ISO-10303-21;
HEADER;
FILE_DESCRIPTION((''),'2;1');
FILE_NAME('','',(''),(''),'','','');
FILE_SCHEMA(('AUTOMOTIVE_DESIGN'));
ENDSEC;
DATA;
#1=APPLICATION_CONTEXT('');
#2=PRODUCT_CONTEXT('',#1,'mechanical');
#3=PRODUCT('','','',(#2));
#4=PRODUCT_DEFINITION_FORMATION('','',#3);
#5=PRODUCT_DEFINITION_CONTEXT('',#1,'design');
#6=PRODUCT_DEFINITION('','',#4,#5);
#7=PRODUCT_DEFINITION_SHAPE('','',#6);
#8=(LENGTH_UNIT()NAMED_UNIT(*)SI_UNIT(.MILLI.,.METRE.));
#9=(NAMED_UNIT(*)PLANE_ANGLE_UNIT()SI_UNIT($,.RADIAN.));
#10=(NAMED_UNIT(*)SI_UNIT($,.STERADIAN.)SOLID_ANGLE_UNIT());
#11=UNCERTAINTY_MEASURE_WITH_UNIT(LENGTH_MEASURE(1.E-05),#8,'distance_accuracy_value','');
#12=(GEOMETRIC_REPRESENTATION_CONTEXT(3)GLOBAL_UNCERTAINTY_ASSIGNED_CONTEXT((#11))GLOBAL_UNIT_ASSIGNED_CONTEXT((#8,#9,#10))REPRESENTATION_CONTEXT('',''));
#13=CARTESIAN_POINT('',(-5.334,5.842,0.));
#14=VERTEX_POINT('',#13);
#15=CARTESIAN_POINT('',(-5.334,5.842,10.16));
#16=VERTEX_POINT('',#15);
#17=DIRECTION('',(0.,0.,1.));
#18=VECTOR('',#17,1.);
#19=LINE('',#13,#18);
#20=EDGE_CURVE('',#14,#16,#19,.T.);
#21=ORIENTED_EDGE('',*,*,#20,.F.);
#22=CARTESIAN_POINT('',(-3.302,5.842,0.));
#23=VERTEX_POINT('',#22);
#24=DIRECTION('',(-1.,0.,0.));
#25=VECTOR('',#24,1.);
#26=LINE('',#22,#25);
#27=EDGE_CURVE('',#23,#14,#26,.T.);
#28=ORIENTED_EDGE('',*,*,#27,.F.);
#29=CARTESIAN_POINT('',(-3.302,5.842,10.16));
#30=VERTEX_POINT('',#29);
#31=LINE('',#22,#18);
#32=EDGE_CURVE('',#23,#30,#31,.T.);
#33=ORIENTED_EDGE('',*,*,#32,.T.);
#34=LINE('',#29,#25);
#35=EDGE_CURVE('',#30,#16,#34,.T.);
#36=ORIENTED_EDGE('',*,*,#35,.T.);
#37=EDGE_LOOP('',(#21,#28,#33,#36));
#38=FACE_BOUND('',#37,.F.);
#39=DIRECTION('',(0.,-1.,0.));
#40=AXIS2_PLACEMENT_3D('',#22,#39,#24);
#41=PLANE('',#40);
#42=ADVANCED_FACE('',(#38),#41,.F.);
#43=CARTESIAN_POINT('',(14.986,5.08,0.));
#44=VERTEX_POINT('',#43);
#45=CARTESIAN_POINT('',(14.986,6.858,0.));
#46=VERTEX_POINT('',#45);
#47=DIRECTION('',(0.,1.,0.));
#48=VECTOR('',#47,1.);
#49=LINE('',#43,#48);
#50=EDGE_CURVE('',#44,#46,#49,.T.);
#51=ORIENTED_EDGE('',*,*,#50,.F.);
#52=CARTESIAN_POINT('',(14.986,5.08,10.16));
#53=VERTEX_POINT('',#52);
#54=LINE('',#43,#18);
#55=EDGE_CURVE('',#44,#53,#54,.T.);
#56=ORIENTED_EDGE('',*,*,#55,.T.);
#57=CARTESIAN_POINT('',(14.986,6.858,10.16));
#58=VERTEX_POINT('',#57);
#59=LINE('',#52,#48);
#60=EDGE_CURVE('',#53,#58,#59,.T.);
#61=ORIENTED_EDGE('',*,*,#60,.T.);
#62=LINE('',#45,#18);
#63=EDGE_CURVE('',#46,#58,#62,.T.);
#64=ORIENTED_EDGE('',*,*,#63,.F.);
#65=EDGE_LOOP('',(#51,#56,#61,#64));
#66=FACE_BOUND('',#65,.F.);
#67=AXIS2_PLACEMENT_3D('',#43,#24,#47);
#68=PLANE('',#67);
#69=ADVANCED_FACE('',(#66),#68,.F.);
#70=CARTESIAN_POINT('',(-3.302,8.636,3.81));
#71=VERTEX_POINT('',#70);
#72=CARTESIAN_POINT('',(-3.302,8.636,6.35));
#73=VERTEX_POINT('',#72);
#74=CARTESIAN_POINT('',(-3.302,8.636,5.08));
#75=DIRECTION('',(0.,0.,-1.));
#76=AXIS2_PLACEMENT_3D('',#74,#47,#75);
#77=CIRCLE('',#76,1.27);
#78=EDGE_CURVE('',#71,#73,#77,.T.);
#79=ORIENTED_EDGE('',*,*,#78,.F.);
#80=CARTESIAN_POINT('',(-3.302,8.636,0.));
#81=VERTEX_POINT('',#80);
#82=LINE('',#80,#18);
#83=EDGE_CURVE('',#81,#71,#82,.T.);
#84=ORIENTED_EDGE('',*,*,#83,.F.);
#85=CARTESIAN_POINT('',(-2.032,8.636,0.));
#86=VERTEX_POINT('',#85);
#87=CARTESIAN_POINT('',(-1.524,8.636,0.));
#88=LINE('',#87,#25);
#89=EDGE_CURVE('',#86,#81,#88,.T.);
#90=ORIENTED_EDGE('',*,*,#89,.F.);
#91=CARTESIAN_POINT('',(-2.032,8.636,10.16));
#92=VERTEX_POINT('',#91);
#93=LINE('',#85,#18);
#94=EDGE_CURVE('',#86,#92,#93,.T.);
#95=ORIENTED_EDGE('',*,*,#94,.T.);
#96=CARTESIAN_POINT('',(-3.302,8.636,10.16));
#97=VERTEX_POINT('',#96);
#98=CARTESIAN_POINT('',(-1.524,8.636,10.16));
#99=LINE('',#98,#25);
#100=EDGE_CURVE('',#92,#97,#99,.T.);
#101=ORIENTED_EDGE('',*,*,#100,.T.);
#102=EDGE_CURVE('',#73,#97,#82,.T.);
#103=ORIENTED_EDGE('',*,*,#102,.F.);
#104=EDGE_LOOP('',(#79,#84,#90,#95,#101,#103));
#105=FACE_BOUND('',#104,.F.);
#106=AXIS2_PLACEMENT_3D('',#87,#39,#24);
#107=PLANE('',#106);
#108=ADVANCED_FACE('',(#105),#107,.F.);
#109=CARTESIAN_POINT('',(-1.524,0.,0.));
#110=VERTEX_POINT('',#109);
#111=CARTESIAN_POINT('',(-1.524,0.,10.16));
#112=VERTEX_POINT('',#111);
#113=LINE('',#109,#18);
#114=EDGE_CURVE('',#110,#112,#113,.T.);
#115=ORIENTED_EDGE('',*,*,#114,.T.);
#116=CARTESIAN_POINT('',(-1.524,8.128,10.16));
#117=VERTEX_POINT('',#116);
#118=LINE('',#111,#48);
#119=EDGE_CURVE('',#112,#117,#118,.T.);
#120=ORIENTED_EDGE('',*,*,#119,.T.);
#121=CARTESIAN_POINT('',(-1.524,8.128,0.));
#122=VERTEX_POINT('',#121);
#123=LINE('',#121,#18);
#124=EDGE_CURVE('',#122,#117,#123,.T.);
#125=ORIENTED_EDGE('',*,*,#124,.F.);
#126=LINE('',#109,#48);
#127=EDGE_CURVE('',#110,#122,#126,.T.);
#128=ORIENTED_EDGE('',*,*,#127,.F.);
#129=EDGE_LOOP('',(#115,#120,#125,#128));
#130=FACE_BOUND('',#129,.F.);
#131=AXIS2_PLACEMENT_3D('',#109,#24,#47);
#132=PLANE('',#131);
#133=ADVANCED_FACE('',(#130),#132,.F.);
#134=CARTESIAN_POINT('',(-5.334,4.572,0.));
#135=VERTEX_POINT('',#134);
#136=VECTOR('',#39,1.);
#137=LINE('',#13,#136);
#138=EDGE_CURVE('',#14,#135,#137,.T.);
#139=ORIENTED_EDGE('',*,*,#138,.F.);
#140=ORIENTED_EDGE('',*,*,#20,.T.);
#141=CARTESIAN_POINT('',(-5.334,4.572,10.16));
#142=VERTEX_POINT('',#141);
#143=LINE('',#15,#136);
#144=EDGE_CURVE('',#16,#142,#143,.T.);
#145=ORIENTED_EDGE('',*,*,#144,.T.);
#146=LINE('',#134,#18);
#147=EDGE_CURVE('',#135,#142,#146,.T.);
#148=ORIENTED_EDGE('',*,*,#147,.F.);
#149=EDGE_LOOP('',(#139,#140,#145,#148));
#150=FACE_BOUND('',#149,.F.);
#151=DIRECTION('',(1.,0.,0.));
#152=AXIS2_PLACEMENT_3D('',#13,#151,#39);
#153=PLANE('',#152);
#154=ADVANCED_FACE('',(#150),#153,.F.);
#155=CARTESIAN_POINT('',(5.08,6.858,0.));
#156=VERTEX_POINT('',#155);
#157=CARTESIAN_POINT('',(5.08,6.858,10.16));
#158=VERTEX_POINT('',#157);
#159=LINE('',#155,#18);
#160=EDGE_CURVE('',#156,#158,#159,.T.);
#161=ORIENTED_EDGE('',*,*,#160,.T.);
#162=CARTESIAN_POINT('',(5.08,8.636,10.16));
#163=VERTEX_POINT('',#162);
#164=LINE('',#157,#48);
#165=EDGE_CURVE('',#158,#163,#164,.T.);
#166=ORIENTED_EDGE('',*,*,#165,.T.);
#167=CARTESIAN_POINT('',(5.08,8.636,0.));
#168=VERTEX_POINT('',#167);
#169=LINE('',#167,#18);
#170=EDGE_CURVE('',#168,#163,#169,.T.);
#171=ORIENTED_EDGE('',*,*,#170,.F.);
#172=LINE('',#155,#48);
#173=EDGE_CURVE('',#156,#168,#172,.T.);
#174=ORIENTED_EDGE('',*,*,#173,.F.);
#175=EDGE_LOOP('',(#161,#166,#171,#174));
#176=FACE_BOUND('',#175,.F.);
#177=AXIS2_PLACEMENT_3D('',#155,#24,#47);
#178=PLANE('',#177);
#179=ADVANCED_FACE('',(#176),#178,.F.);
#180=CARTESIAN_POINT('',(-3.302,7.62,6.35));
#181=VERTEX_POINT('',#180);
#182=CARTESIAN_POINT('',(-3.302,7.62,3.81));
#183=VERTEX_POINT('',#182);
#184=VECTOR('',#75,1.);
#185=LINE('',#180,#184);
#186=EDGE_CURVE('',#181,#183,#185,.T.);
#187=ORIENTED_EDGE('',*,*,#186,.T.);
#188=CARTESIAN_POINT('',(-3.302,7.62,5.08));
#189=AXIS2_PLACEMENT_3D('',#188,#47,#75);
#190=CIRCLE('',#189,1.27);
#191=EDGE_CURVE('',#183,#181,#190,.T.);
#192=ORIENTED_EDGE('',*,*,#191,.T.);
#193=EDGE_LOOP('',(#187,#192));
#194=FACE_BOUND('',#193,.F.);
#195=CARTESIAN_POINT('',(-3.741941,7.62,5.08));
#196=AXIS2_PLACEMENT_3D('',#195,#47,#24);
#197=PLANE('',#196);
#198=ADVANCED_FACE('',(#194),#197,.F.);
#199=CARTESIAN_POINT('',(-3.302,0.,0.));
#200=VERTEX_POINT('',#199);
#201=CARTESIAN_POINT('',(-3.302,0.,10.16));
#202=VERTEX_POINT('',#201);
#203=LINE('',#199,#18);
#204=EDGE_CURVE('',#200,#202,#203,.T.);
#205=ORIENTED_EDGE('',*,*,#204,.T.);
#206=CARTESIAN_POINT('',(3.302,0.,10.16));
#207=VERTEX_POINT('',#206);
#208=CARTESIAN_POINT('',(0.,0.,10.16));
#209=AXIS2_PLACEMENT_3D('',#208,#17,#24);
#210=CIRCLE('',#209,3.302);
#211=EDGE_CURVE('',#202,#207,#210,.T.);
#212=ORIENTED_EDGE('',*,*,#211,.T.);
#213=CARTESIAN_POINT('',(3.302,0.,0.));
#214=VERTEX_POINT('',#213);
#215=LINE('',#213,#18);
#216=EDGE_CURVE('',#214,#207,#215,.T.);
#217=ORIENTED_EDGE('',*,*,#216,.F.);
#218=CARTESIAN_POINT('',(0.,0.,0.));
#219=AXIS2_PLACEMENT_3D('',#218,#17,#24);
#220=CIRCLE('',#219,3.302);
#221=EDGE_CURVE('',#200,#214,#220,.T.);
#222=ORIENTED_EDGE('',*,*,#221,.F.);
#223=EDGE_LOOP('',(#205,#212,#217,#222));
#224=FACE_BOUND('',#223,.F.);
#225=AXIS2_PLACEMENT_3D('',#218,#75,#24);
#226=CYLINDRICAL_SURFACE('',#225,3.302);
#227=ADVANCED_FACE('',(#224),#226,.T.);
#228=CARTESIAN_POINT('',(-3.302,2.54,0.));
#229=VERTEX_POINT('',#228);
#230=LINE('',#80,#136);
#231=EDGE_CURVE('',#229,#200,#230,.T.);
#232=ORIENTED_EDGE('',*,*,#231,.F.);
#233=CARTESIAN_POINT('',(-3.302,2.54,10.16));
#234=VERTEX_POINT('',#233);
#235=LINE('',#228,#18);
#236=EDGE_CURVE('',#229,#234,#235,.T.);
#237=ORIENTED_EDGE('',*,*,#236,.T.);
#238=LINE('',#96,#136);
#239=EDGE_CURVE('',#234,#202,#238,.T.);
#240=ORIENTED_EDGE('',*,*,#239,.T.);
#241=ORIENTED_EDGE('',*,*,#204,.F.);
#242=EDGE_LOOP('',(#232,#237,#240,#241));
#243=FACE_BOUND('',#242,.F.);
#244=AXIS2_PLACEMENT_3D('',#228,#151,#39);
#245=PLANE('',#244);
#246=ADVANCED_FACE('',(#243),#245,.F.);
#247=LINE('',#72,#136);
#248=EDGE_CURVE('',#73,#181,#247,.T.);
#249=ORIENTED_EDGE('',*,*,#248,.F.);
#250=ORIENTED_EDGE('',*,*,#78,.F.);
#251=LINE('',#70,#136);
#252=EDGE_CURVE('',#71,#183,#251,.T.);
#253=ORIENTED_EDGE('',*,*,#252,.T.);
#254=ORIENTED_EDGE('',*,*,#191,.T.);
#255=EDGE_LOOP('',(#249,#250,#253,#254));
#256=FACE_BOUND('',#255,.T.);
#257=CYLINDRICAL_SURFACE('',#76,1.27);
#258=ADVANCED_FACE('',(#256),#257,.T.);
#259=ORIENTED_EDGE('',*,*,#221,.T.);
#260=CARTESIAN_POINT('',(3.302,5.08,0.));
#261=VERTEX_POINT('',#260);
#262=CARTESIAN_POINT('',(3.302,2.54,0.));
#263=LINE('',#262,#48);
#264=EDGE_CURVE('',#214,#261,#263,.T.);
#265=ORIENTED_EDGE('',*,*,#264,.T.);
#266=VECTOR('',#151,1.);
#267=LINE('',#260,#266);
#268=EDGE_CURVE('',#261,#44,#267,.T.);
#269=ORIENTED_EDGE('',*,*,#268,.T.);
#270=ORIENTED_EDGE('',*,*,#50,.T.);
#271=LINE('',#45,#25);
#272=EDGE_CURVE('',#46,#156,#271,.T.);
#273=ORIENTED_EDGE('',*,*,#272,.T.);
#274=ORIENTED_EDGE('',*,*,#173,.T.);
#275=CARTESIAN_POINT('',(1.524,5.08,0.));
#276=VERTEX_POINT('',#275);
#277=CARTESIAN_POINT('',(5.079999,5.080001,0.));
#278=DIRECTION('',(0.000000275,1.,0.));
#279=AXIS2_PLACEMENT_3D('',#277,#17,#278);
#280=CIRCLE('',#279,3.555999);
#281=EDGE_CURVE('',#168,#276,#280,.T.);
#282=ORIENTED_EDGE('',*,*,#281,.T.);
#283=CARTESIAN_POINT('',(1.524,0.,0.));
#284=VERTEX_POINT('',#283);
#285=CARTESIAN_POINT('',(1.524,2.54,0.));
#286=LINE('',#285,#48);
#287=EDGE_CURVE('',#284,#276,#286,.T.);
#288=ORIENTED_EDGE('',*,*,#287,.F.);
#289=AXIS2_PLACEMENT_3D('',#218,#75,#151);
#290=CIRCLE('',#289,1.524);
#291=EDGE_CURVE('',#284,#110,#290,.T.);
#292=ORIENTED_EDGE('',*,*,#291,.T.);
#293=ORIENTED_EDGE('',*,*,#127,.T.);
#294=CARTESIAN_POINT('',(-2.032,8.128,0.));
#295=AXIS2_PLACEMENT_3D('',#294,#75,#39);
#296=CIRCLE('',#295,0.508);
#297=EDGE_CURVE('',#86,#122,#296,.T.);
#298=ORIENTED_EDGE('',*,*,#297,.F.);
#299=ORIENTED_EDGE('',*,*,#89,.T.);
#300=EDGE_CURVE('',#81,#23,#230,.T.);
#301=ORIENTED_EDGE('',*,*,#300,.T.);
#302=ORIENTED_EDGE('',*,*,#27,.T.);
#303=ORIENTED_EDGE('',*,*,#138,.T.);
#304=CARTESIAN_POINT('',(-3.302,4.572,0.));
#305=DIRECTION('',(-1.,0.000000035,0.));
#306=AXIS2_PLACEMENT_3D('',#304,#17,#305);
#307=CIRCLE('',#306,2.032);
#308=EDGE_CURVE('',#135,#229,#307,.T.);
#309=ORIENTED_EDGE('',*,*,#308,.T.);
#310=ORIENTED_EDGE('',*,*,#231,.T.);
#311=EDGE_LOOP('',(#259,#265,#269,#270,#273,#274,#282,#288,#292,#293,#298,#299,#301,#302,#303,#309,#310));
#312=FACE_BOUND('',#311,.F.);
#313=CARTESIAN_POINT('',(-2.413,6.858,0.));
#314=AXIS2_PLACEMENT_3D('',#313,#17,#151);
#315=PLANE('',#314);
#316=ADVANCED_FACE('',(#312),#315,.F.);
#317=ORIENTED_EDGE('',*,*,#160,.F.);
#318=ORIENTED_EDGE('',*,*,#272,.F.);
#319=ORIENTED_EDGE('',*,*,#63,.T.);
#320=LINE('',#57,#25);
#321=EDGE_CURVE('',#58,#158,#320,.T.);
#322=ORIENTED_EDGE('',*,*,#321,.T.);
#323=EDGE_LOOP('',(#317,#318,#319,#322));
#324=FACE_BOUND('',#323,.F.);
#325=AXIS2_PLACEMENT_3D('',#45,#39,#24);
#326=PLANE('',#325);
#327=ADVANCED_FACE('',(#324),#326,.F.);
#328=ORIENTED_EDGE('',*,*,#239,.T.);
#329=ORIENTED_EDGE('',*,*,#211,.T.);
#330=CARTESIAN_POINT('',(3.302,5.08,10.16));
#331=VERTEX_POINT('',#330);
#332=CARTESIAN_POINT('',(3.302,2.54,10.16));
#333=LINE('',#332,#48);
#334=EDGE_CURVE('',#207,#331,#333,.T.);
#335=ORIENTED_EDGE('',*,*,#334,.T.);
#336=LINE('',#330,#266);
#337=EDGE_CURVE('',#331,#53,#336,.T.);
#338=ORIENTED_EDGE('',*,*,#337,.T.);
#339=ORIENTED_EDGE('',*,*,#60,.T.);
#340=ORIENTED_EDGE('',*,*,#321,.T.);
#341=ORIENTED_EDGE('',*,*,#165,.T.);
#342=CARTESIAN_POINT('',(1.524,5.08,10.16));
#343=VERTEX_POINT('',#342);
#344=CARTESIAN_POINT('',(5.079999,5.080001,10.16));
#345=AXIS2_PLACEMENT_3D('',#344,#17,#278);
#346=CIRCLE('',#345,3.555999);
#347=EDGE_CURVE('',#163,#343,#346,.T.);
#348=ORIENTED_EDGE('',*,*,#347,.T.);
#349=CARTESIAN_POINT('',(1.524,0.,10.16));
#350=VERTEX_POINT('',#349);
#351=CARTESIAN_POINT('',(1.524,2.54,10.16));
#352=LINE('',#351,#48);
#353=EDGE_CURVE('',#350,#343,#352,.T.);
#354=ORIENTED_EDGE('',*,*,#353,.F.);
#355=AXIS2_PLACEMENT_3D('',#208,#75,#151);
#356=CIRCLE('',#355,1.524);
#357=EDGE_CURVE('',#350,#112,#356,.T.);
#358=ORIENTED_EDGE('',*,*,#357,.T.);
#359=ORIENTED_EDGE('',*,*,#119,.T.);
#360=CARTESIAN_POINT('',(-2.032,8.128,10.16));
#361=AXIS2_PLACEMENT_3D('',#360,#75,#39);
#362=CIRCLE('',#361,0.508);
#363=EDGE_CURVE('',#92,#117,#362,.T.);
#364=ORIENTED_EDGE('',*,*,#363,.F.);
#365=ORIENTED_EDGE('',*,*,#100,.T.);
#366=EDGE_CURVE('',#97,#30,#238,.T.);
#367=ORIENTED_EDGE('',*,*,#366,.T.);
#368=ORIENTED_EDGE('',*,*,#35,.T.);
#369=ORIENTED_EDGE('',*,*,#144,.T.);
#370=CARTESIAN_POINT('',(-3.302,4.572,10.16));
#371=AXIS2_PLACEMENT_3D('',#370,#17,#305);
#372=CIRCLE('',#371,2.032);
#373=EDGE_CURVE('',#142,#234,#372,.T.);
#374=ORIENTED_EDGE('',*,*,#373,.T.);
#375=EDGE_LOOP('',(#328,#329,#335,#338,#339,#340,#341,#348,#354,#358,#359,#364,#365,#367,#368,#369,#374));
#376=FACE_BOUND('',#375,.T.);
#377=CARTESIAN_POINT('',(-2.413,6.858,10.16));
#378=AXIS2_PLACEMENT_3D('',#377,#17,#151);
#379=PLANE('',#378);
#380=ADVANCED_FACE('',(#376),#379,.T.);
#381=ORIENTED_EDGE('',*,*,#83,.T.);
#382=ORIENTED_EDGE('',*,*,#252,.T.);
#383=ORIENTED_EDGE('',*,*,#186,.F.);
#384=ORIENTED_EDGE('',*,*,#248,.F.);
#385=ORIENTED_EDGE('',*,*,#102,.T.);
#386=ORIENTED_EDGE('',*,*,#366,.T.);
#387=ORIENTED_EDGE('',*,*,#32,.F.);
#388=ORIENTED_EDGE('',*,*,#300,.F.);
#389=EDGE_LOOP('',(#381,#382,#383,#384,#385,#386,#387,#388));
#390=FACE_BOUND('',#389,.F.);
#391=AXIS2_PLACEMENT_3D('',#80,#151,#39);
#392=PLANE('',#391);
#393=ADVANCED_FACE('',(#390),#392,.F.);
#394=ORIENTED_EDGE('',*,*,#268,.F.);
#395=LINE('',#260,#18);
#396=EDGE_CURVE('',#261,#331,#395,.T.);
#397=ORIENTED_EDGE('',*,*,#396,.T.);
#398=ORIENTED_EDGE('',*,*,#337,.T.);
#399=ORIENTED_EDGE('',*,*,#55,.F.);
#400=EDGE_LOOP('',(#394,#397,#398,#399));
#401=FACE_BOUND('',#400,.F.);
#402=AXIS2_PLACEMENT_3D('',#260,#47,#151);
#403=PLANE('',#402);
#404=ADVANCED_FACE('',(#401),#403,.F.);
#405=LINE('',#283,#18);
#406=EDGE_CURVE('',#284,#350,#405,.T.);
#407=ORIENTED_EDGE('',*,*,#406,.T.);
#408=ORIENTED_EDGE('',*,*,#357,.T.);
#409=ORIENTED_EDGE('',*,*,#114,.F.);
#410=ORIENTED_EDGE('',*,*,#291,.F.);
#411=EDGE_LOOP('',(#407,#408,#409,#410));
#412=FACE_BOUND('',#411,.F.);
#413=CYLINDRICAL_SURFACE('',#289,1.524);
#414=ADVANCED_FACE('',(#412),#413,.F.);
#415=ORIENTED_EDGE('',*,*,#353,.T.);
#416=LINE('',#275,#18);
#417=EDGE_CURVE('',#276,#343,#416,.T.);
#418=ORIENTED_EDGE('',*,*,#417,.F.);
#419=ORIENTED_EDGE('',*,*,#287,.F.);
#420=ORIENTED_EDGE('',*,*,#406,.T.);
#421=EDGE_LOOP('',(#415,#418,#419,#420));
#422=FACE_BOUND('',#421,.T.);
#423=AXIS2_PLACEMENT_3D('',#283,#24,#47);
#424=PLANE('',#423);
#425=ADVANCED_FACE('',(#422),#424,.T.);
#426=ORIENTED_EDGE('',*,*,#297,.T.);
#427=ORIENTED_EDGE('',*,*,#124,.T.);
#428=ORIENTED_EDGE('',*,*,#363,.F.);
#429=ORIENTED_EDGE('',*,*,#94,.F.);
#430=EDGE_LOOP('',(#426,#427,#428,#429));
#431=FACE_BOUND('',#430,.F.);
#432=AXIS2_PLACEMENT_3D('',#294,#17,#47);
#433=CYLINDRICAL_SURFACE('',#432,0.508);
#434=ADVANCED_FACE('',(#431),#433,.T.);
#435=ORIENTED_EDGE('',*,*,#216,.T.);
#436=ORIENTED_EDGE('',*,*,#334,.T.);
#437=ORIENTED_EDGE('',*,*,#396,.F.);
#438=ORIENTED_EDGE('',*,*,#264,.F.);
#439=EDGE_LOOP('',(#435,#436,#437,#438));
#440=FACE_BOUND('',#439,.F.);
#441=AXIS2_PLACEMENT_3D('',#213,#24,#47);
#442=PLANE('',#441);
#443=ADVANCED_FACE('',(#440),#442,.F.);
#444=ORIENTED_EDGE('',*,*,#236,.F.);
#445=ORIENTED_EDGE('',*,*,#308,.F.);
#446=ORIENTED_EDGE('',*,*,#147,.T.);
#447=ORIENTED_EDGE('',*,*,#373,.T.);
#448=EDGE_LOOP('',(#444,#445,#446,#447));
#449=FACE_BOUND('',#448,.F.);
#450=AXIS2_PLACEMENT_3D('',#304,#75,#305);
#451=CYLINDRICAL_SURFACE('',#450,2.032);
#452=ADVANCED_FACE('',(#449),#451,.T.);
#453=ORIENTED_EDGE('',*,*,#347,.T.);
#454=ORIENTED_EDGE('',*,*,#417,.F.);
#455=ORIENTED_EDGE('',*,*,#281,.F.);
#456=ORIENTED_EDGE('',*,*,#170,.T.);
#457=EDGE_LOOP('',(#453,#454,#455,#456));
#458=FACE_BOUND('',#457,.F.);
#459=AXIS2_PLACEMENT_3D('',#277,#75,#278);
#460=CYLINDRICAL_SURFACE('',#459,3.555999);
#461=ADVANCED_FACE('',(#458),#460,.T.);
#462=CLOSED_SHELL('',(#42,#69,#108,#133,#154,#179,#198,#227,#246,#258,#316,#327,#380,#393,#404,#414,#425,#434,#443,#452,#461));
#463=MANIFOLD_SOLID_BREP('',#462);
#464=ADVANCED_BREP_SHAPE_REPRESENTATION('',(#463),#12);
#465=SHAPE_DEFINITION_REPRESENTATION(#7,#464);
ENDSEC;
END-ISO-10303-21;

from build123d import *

# Parameters (mm, degrees)
F0_W     = 1.778
F0_H     = 5.08
F1_DEPTH = 10.16
F3_DEPTH = 1.016
F4_R     = 0.508


with BuildPart() as f1:
    # F0 (on Top) → F1 (new body)
    with BuildSketch(Plane.XY):
        Polygon((-3.302, 5.842), (-3.302, 5.08), (-1.524, 5.08), (-1.524, 8.636), (-3.302, 8.636), align=None)
        Polygon((-1.524, 5.08), (-3.302, 5.08), (-3.302, 4.572), (-3.302, 2.54), (-3.302, 0), (-1.524, 0), align=None)
        Polygon((-3.302, 4.572), (-3.302, 5.08), (-3.302, 5.842), (-5.334, 5.842), (-5.334, 4.572), align=None)
        with BuildLine():
            Line((-3.302, 2.54), (-3.302, 4.572))
            Line((-3.302, 4.572), (-5.334, 4.572))
            ThreePointArc((-5.334, 4.572), (-4.738841, 3.135159), (-3.302, 2.54))
        make_face()
        with BuildLine():
            ThreePointArc((1.524, 0), (0, -1.524), (-1.524, 0))
            Line((-1.524, 0), (-3.302, 0))
            ThreePointArc((-3.302, 0), (0, -3.302), (3.302, 0))
            Line((3.302, 0), (1.524, 0))
        make_face()
        with Locations((2.413, 2.54)):
            Rectangle(F0_W, F0_H)
        with BuildLine():
            ThreePointArc((5.08, 8.636), (2.565528, 7.594472), (1.524, 5.08))
            Line((1.524, 5.08), (3.302, 5.08))
            ThreePointArc((3.302, 5.08), (3.822764, 6.337236), (5.08, 6.858))
            Line((5.08, 6.858), (5.08, 8.636))
        make_face()
        with BuildLine():
            ThreePointArc((5.08, 6.858), (3.822764, 6.337236), (3.302, 5.08))
            Line((3.302, 5.08), (14.986, 5.08))
            Line((14.986, 5.08), (14.986, 6.858))
            Line((14.986, 6.858), (5.08, 6.858))
        make_face()
    extrude(amount=F1_DEPTH)

    # F2 (on face) → F3 (join)
    with BuildSketch(Plane(origin=(0, 8.636, 0), x_dir=(-1, 0, 0), z_dir=(0, 1, 0))):
        with BuildLine():
            Line((3.302, 6.35), (3.302, 3.81))
            ThreePointArc((3.302, 3.81), (4.572, 5.08), (3.302, 6.35))
        make_face()
    extrude(amount=-F3_DEPTH)

    # F4
    f4_edges = [f1.edges().sort_by_distance(p)[0] for p in [
        (-1.524, 8.636, 5.08),
    ]]
    fillet(f4_edges, radius=F4_R)


solid = f1.part
